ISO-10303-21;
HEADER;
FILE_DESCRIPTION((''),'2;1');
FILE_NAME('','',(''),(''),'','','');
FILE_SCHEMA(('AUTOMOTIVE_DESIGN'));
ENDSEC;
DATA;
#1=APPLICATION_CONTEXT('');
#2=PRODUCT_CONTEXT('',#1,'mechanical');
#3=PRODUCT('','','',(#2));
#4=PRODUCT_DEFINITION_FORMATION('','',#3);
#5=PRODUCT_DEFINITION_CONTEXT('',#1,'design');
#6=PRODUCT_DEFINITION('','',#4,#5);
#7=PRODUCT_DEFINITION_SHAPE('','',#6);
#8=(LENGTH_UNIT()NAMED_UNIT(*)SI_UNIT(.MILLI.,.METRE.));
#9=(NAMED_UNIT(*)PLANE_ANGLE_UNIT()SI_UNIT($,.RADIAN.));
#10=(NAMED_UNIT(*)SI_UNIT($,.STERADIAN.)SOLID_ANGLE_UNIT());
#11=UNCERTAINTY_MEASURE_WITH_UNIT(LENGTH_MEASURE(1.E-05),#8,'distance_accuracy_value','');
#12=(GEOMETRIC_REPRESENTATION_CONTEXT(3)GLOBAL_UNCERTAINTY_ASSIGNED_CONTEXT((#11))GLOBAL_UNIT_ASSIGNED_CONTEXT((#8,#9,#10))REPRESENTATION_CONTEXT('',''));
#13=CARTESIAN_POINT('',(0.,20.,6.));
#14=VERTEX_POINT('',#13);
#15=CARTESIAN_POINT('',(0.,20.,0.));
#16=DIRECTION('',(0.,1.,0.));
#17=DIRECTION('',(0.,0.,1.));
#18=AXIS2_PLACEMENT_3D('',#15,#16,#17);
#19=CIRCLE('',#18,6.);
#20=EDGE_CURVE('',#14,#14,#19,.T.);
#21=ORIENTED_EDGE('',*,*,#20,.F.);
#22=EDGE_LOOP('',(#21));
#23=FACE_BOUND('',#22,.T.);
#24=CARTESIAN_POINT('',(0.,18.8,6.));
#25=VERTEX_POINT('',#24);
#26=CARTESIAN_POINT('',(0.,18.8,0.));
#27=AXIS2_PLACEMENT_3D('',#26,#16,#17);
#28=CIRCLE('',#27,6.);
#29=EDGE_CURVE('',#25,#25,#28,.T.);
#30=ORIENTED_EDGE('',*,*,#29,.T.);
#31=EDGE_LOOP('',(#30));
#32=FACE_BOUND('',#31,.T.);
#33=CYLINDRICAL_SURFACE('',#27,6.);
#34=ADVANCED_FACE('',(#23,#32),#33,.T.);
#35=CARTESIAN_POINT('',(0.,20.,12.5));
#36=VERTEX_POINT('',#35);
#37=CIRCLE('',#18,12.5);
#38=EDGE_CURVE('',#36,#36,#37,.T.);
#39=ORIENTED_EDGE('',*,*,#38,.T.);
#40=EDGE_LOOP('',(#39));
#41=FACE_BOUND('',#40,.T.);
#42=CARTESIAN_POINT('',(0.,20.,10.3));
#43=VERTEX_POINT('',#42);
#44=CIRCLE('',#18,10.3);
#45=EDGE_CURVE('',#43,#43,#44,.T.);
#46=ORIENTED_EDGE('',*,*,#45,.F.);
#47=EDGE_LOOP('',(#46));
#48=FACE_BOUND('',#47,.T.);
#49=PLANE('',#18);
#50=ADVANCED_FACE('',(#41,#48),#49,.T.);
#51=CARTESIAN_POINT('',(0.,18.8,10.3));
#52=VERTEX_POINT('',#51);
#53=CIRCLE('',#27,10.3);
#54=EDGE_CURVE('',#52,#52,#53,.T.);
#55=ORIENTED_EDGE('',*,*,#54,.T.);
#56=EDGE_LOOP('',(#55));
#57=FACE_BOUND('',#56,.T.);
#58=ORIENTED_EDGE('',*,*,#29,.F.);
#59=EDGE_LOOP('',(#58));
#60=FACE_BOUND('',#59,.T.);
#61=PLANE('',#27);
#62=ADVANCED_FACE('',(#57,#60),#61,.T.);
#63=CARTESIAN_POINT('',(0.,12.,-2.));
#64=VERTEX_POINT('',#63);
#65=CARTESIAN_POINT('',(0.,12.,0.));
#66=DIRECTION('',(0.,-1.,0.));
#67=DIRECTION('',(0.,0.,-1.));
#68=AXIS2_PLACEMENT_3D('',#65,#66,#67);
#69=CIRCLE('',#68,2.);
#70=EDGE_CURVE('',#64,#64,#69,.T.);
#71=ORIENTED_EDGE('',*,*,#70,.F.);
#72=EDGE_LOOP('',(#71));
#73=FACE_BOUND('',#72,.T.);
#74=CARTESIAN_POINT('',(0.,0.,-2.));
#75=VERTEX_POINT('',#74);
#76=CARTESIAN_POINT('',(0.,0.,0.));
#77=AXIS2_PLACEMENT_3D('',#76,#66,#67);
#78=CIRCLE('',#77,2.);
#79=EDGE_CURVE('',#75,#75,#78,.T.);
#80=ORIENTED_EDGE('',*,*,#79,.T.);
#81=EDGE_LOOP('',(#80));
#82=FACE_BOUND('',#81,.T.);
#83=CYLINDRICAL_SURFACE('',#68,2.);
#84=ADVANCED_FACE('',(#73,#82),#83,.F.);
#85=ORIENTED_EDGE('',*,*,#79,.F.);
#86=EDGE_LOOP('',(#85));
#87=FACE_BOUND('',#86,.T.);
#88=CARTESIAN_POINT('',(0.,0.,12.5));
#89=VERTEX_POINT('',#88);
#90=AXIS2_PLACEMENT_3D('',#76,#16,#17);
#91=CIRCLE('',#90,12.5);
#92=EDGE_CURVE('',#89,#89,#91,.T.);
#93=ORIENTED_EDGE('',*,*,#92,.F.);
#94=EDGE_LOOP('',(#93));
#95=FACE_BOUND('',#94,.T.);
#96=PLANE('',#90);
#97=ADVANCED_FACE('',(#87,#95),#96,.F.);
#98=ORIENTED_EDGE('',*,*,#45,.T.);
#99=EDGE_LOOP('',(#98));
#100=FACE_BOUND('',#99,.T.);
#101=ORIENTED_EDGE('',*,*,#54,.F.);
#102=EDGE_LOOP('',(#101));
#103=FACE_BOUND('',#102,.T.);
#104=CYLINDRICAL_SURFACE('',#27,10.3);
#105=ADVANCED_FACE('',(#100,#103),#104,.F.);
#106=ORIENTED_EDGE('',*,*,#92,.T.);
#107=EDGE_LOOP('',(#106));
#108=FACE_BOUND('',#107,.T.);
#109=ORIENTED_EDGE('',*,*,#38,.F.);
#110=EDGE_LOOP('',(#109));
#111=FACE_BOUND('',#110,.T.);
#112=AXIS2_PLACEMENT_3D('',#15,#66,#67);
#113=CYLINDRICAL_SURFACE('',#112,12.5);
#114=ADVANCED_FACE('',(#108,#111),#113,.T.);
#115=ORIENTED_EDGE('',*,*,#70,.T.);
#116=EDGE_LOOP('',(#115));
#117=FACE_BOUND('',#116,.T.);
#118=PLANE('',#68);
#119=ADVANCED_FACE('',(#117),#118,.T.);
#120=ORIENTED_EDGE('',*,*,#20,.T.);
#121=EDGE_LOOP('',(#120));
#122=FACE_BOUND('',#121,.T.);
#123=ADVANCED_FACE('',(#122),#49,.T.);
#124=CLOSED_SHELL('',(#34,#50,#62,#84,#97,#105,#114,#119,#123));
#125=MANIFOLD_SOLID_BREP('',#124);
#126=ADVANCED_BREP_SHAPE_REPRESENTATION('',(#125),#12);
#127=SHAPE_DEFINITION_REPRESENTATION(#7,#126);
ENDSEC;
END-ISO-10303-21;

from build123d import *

# Parameters (mm, degrees)
SKETCH2_R           = 12.5
BOSS_EXTRUDE1_DEPTH = 20
SKETCH3_R           = 10.3
SKETCH3_R_2         = 6
CUT_EXTRUDE1_DEPTH  = 1.2
SKETCH4_R           = 2
CUT_EXTRUDE2_DEPTH  = 12


with BuildPart() as part:
    # Sketch2 → Boss-Extrude1 (new body)
    with BuildSketch(Plane(origin=(0, 0, 0), x_dir=(1, 0, 0), z_dir=(0, 1, 0))):
        with Locations(Location((0, 0, 0), (0, 0, 270))):
            Circle(SKETCH2_R)
    extrude(amount=BOSS_EXTRUDE1_DEPTH)

    # Sketch3 → Cut-Extrude1 (cut)
    with BuildSketch(Plane(origin=(0, 20, 0), x_dir=(1, 0, 0), z_dir=(0, 1, 0))):
        with Locations(Location((0, 0, 0), (0, 0, 270))):
            Circle(SKETCH3_R)
        with Locations(Location((0, 0, 0), (0, 0, 270))):
            Circle(SKETCH3_R_2, mode=Mode.SUBTRACT)
    extrude(amount=-CUT_EXTRUDE1_DEPTH, mode=Mode.SUBTRACT)

    # Sketch4 → Cut-Extrude2 (cut)
    with BuildSketch(Plane.XZ):
        with Locations(Location((0, 0, 0), (0, 0, 270))):
            Circle(SKETCH4_R)
    extrude(amount=-CUT_EXTRUDE2_DEPTH, mode=Mode.SUBTRACT)


solid = part.part
